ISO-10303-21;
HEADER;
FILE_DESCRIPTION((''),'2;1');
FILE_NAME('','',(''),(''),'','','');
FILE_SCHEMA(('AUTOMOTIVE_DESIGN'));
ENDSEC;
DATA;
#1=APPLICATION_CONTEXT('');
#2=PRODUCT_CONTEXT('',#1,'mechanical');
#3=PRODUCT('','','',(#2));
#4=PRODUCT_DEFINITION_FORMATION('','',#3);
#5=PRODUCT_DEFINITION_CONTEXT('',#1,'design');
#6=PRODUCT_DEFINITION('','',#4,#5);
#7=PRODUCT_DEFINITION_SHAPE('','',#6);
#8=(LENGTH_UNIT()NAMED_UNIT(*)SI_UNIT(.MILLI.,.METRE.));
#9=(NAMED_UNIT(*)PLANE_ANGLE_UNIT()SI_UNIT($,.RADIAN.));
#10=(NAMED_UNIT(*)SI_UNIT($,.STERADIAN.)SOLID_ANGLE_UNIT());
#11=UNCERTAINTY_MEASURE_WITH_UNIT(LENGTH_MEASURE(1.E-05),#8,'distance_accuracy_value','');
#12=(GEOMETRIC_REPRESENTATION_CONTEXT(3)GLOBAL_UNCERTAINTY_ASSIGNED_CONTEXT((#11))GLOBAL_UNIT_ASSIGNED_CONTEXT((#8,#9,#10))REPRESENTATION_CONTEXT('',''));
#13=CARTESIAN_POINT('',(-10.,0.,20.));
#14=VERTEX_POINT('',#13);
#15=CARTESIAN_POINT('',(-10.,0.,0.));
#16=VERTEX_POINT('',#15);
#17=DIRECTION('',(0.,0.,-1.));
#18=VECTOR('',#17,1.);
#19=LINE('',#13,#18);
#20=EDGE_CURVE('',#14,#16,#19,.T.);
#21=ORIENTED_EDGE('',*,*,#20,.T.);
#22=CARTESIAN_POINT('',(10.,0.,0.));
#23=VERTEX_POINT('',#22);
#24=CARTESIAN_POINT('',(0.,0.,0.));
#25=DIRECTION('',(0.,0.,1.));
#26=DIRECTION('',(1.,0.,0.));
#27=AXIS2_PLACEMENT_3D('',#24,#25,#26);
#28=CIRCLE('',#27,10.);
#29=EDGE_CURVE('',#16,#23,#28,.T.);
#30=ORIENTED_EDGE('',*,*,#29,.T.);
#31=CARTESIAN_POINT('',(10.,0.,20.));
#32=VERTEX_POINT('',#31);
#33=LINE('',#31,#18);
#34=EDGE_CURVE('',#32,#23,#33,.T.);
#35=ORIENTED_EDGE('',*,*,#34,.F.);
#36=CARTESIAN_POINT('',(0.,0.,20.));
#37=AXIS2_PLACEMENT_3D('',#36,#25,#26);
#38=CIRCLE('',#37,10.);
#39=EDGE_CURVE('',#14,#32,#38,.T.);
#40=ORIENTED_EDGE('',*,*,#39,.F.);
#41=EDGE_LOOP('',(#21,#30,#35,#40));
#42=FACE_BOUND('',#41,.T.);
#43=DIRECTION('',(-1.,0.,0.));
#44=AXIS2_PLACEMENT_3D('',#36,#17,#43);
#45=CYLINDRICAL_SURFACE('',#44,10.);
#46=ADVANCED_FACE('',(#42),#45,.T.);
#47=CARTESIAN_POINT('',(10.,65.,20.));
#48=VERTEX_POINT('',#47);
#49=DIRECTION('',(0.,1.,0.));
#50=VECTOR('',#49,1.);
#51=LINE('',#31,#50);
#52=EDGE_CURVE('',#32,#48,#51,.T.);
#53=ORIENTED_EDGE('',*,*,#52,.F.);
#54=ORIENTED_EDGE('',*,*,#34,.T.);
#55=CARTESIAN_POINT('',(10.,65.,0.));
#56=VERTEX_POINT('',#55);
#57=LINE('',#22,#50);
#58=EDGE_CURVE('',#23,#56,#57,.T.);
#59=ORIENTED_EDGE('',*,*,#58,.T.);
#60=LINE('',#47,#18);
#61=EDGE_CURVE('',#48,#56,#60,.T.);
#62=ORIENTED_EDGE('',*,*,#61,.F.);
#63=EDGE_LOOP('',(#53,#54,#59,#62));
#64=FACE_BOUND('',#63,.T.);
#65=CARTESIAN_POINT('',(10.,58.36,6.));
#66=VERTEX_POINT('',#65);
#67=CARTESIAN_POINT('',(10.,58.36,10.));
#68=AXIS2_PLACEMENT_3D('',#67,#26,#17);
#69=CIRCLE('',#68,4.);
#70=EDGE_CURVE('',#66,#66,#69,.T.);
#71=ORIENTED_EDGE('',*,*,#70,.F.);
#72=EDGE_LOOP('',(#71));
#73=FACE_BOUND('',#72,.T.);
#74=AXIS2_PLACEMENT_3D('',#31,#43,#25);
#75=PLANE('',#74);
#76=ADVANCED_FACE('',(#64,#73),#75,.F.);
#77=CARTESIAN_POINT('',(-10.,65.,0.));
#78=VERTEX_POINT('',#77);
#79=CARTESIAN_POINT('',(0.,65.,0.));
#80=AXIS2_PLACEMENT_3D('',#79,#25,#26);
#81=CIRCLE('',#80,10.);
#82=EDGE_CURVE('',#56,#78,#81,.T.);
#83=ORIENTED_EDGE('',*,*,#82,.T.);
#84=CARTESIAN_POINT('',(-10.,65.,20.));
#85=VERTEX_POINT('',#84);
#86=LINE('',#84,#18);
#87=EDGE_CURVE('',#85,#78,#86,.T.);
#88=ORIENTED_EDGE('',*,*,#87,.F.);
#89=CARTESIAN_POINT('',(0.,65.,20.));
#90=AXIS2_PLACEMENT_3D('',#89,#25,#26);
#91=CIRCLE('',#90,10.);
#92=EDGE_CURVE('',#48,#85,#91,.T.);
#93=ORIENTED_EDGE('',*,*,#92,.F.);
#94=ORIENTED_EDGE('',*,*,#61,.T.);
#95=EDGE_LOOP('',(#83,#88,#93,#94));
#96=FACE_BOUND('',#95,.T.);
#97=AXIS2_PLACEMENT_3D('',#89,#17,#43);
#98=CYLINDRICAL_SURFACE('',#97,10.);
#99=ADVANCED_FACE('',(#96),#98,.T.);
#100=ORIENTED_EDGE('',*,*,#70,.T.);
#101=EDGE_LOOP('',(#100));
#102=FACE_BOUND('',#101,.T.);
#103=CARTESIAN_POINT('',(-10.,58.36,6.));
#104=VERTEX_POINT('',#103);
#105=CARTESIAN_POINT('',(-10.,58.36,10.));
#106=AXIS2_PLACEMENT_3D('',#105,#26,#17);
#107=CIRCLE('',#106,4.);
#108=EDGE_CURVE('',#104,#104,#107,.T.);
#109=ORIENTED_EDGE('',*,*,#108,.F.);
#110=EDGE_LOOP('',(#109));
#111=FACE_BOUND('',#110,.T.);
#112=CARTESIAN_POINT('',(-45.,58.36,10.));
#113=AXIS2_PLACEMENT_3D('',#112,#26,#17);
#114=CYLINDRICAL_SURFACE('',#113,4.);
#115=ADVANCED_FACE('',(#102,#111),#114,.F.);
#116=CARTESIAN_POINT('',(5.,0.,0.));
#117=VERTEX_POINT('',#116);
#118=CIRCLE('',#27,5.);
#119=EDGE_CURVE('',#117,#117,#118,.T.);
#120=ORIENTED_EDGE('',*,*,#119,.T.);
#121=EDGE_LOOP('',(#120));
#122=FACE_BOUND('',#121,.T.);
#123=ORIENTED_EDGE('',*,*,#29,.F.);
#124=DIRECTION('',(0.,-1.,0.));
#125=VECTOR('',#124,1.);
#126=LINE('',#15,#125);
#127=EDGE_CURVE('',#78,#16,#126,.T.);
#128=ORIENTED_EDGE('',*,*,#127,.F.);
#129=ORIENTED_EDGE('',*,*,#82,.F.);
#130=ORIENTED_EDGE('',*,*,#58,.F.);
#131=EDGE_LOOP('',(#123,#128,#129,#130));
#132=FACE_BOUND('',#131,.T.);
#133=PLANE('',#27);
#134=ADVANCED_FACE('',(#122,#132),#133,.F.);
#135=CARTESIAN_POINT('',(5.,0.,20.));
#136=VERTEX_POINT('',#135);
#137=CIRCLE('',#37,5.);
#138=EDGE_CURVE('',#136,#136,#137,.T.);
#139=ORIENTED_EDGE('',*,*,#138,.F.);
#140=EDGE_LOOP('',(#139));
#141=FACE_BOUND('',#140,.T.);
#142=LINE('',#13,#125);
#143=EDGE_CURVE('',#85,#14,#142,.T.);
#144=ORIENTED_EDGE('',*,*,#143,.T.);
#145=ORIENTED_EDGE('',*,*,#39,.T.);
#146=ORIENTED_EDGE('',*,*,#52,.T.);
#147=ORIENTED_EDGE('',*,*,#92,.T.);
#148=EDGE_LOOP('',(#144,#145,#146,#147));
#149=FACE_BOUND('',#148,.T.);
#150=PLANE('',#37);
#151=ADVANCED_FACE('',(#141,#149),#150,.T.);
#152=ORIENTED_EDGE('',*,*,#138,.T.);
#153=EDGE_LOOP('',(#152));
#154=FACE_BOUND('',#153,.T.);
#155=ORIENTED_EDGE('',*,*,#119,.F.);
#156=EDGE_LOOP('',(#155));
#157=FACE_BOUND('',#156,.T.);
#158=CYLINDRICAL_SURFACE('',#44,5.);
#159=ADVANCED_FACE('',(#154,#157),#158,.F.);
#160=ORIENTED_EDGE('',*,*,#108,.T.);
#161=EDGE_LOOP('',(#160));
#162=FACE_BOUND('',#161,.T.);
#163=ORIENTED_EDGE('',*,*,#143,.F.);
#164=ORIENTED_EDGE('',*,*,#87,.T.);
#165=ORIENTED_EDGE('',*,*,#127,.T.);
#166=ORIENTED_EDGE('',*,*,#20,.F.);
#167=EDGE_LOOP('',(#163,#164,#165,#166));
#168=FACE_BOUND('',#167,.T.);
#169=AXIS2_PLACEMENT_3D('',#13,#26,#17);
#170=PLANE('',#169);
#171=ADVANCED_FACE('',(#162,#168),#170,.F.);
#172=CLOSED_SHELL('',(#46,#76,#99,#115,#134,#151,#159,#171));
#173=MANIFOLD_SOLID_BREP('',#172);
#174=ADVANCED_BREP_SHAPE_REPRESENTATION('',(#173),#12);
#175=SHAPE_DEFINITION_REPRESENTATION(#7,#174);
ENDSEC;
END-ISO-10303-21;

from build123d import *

# Parameters (mm, degrees)
SKETCH2_R           = 5
BOSS_EXTRUDE1_DEPTH = 20
SKETCH4_R           = 4
CUT_EXTRUDE1_DEPTH  = 55


with BuildPart() as part:
    # Sketch2 → Boss-Extrude1 (new body)
    with BuildSketch(Plane.XY):
        with BuildLine():
            Line((-10, 0), (-10, 65))
            ThreePointArc((-10, 65), (0, 75), (10, 65))
            Line((10, 65), (10, 0))
            ThreePointArc((10, 0), (0, -10), (-10, 0))
        make_face()
        Circle(SKETCH2_R, mode=Mode.SUBTRACT)
    extrude(amount=BOSS_EXTRUDE1_DEPTH)

    # Sketch4 → Cut-Extrude1 (cut)
    with BuildSketch(Plane(origin=(10, 0, 0), x_dir=(0, 0, -1), z_dir=(1, 0, 0))):
        with Locations((-10, 58.36)):
            Circle(SKETCH4_R)
    extrude(amount=-CUT_EXTRUDE1_DEPTH, mode=Mode.SUBTRACT)


solid = part.part
